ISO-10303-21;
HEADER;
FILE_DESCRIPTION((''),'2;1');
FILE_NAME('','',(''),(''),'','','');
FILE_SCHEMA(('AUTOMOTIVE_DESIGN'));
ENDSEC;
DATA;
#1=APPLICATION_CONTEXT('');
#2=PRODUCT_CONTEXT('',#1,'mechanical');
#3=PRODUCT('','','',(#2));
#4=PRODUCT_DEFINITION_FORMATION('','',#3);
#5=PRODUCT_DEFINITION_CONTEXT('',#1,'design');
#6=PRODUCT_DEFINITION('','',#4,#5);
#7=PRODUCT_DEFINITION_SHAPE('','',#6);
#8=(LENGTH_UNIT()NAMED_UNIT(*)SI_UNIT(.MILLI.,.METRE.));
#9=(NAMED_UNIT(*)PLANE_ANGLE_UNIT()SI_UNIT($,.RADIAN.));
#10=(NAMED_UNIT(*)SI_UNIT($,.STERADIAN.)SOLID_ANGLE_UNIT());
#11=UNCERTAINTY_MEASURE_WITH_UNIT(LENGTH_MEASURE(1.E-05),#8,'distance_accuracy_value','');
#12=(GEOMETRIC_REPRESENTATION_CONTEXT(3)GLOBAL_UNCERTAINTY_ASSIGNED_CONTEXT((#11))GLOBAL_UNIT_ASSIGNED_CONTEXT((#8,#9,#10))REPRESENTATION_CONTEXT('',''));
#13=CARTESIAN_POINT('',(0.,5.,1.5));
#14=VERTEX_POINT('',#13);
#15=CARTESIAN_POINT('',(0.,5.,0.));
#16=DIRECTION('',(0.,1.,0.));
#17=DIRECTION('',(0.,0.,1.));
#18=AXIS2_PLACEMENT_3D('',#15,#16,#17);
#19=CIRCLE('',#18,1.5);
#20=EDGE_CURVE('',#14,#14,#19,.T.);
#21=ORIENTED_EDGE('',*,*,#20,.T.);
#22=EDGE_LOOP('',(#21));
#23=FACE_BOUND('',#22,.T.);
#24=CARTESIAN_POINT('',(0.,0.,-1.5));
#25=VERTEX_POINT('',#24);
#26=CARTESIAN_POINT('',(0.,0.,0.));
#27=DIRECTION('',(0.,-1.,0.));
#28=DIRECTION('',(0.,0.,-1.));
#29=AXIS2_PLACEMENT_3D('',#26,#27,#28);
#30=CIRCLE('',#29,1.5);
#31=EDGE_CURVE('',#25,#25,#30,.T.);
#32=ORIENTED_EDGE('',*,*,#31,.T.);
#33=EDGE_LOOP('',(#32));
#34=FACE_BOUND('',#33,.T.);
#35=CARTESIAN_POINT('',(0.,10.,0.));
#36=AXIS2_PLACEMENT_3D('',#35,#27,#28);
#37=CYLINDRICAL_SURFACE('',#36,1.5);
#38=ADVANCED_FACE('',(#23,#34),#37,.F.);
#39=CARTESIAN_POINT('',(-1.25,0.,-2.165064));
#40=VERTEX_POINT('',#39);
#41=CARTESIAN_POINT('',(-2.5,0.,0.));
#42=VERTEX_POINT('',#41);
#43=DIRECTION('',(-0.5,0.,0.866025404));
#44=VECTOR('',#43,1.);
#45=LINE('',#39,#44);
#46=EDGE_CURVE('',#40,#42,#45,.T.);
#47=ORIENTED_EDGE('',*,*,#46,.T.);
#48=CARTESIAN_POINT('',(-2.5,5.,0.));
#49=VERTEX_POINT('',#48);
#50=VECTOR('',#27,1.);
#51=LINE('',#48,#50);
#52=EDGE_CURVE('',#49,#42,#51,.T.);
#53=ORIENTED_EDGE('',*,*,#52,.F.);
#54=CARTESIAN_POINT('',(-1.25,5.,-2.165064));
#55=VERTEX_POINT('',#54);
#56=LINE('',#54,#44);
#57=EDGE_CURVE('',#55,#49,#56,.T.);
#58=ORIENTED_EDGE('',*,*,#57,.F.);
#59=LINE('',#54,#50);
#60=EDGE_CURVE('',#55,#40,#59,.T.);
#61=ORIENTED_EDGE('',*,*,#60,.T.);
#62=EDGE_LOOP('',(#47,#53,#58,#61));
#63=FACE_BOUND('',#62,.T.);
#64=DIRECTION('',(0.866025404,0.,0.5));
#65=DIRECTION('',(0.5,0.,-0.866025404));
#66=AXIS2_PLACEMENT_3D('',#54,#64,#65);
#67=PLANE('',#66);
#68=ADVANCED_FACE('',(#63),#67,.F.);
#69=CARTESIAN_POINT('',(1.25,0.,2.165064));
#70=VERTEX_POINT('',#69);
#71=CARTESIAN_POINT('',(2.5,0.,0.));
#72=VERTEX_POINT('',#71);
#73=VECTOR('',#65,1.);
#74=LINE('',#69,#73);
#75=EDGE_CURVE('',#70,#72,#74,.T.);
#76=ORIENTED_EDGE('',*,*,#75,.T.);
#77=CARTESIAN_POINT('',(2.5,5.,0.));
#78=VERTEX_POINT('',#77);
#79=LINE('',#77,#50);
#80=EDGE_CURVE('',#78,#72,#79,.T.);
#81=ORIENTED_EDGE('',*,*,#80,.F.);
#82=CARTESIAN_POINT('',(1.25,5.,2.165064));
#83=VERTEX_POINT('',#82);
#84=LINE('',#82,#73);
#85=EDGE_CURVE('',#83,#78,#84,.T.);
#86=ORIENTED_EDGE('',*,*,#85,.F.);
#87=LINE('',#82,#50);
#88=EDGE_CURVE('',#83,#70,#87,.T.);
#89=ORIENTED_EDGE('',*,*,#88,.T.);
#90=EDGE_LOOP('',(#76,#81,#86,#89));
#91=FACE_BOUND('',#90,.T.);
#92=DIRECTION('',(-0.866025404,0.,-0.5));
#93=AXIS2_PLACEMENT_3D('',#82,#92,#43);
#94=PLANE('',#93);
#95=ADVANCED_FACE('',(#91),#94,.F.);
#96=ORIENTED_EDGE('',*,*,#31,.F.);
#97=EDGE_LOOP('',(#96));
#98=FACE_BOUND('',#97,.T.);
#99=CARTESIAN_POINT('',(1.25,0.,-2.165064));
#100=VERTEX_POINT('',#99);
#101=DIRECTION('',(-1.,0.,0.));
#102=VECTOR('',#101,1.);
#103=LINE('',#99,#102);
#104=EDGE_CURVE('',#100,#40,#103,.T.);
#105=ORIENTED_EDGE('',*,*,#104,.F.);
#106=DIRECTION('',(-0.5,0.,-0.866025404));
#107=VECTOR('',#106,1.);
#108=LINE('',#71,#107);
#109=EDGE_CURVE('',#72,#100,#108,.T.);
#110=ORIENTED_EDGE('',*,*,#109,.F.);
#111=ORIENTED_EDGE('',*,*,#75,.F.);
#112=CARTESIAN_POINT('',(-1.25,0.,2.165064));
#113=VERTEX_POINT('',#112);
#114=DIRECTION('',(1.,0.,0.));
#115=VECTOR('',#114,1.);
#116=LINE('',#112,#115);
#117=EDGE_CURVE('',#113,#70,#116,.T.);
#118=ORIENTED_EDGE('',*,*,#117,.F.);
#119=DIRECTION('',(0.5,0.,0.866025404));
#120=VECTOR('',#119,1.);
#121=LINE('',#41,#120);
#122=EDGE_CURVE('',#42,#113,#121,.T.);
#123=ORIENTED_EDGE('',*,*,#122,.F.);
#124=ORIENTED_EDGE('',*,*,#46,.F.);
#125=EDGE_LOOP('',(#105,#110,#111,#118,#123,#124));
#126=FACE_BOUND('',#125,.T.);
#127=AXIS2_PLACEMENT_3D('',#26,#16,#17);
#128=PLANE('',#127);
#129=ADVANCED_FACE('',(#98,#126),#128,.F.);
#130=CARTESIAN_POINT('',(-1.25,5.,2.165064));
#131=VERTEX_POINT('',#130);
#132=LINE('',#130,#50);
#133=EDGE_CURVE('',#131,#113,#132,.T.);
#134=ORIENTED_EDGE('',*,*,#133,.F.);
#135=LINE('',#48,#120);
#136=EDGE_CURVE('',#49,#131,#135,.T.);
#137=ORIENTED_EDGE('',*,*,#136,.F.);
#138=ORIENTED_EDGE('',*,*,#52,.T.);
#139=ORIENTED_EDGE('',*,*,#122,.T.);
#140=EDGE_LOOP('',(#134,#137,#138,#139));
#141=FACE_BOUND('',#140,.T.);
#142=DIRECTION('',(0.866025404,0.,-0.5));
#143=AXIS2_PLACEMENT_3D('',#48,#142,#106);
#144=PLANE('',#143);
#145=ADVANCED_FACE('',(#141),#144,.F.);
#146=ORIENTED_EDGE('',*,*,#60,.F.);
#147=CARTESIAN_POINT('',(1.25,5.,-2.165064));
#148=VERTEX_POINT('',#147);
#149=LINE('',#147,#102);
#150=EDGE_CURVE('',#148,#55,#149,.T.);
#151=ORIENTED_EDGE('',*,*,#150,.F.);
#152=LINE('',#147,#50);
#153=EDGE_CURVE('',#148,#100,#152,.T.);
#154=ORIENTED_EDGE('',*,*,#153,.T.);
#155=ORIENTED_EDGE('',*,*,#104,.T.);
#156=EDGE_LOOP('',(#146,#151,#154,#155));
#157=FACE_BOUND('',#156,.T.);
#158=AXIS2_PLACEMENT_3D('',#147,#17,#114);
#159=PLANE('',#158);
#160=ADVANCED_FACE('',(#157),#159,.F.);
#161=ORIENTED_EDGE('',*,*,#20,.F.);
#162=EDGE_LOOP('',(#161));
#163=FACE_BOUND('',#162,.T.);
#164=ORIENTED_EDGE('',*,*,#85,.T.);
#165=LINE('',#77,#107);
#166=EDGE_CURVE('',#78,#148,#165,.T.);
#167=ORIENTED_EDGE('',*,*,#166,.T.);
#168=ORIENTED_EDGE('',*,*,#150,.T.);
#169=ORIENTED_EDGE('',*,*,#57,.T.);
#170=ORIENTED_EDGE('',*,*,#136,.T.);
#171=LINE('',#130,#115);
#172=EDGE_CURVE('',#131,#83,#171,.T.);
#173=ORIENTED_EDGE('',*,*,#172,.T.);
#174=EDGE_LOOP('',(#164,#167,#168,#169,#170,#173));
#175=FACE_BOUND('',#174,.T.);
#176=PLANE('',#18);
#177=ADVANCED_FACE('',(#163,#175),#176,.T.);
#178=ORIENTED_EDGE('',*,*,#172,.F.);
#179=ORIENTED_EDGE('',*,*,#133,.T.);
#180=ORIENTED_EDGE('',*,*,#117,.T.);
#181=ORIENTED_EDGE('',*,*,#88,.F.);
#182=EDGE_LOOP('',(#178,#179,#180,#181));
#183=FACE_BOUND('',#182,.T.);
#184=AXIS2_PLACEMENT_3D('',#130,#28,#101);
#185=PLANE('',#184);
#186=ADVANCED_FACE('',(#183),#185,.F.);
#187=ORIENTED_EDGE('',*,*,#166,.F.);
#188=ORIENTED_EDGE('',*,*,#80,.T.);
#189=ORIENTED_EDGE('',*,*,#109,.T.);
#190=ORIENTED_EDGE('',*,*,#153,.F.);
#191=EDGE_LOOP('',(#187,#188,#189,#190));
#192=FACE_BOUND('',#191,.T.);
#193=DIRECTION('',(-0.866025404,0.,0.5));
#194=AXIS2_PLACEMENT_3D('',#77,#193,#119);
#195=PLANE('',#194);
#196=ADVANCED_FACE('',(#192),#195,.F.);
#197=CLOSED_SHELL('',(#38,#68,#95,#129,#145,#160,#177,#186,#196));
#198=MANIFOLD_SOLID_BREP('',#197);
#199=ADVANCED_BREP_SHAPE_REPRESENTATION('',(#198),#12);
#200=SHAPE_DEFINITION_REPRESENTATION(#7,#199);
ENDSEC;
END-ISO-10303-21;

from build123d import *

# Parameters (mm, degrees)
EXTRUDE_1_DEPTH     = 5
SKETCH_2_R          = 1.5
EXTRUDE_2_DEPTH     = 5
SKETCH_3_R          = 1.5
CUT_EXTRUDE_1_DEPTH = 10


with BuildPart() as part:
    # Эскиз1 → Бобышка-Вытянуть1 (new body)
    with BuildSketch(Plane(origin=(0, 0, 0), x_dir=(1, 0, 0), z_dir=(0, 1, 0))):
        Polygon((1.25, -2.165063509), (2.5, 0), (1.25, 2.165063509), (-1.25, 2.165063509), (-2.5, 0), (-1.25, -2.165063509), align=None)
    extrude(amount=EXTRUDE_1_DEPTH)

    # Эскиз2 → Бобышка-Вытянуть2 (add)
    with BuildSketch(Plane(origin=(0, 5, 0), x_dir=(1, 0, 0), z_dir=(0, 1, 0))):
        with Locations(Location((0, 0, 0), (0, 0, 270))):
            Circle(SKETCH_2_R)
    extrude(amount=EXTRUDE_2_DEPTH)

    # Эскиз3 → Вырез-Вытянуть1 (cut)
    with BuildSketch(Plane.XZ):
        with Locations(Location((0, 0, 0), (0, 0, 270))):
            Circle(SKETCH_3_R)
    extrude(amount=-CUT_EXTRUDE_1_DEPTH, mode=Mode.SUBTRACT)


solid = part.part
